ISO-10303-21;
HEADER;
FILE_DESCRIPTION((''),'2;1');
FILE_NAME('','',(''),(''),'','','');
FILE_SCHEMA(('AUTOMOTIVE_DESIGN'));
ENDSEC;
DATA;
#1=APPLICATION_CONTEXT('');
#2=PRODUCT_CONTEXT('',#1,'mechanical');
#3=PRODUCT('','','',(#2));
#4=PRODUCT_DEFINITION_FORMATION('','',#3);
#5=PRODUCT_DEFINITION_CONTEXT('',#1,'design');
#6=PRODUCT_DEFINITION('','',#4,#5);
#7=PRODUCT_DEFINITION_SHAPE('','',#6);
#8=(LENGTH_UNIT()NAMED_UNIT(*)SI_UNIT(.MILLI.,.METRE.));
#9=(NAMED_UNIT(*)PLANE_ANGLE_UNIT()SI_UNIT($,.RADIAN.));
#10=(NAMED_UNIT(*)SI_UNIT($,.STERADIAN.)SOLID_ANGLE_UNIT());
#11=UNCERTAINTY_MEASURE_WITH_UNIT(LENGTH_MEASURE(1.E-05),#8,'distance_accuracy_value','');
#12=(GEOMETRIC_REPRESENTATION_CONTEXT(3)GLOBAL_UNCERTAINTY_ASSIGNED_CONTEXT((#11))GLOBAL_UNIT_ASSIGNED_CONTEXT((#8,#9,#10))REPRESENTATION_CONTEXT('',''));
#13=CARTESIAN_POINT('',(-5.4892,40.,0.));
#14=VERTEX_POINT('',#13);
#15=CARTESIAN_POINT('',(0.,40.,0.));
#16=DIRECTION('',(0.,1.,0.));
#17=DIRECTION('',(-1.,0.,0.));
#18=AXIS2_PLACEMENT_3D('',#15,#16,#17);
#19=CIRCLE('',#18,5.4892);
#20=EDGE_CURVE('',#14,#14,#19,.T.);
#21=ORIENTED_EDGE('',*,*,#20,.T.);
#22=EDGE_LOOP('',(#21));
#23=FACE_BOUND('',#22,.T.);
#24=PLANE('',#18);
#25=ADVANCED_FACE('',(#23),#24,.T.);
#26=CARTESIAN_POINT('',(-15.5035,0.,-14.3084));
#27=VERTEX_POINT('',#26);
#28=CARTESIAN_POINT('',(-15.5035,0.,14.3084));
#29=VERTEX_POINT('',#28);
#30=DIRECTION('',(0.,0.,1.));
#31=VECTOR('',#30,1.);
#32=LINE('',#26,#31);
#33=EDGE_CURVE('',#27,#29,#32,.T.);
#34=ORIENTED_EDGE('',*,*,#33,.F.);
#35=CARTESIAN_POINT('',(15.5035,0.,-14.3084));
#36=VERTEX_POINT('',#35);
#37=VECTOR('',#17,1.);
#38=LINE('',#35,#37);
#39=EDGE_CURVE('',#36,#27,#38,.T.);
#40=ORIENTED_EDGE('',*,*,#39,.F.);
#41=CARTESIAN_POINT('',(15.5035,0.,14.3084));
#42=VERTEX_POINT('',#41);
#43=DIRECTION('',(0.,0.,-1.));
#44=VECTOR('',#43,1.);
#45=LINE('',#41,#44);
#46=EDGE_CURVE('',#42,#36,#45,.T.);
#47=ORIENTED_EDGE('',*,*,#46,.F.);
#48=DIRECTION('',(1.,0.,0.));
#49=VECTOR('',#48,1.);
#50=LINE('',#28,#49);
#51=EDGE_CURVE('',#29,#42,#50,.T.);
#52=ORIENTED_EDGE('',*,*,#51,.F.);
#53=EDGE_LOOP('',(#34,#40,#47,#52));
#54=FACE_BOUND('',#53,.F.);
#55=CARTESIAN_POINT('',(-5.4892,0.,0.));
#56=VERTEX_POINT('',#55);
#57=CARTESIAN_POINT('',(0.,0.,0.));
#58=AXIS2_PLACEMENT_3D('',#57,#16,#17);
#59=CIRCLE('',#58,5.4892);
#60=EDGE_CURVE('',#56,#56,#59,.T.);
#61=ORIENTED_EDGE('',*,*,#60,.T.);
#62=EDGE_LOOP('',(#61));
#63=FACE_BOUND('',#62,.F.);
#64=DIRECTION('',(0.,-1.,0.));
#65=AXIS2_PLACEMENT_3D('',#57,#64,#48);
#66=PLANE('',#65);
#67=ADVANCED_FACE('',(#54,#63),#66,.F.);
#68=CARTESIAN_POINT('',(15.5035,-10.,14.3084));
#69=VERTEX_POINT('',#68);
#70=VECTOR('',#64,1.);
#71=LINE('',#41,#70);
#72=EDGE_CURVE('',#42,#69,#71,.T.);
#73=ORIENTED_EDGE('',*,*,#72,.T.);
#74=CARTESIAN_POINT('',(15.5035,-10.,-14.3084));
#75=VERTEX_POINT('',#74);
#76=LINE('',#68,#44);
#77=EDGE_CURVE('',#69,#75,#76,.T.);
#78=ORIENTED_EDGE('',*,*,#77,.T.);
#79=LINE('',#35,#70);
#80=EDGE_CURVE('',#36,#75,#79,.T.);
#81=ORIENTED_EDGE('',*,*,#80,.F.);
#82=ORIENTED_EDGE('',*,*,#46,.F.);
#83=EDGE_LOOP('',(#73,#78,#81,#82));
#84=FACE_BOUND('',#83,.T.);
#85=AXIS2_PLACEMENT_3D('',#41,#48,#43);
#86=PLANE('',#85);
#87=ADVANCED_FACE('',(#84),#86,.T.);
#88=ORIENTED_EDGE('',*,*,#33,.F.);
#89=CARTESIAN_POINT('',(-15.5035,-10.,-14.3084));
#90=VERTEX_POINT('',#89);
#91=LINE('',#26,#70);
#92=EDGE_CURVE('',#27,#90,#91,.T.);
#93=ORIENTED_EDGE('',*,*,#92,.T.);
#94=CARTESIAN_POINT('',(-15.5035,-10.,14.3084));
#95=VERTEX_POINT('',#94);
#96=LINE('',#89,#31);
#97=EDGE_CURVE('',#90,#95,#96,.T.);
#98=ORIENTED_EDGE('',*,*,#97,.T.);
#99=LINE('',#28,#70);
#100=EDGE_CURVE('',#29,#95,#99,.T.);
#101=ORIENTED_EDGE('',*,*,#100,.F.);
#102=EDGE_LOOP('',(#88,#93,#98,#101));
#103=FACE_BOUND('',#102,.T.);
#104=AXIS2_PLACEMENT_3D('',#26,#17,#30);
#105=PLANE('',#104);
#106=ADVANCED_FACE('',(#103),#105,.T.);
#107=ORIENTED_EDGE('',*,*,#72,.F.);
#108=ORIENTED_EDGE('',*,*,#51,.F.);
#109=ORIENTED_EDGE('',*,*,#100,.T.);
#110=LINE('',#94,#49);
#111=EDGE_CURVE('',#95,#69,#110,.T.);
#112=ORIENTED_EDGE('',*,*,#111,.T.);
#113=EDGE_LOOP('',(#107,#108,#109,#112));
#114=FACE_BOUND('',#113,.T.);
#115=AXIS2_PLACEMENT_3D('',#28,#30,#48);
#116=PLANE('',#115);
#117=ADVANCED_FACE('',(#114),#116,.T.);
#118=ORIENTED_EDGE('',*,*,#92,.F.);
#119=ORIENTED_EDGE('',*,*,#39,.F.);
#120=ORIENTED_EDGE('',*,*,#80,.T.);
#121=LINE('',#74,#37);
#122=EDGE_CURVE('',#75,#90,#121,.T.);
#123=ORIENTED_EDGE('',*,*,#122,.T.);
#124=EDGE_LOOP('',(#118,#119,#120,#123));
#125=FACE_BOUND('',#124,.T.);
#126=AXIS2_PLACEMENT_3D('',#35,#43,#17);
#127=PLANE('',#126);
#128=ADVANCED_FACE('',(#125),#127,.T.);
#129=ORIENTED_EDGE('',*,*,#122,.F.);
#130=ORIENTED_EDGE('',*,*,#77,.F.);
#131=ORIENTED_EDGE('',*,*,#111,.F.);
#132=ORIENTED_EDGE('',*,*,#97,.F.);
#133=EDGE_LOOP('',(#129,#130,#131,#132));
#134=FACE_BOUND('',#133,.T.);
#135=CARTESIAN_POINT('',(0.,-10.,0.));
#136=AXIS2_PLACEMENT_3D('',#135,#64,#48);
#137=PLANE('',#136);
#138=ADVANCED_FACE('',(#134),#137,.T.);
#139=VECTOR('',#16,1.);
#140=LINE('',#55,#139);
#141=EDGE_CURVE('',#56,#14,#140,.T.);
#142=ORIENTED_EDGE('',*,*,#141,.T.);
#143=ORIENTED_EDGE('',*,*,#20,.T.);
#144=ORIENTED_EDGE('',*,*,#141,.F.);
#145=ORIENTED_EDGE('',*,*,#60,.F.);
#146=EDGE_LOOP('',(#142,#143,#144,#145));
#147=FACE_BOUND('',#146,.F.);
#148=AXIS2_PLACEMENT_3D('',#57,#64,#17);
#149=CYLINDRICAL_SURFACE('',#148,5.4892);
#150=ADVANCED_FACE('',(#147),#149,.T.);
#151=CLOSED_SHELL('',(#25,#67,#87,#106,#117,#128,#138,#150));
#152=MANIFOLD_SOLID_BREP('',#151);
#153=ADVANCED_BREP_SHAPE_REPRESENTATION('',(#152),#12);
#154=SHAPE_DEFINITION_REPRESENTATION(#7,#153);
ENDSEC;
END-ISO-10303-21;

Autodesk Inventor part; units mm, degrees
ref_plane "YZ Plane" through (0, 0, 0) normal (1, 0, 0) x (0, 1, 0)
ref_plane "XZ Plane" through (0, 0, 0) normal (0, 1, 0) x (-1, 0, 0)
ref_plane "XY Plane" through (0, 0, 0) normal (0, 0, 1) x (1, 0, 0)
sketch "Sketch1" plane through (0, 0, 0) normal (0, 1, 0) x (-1, 0, 0)
  circle A0 centre (0, 0) radius 5.4892
extrude "Extrusion1" add sketch "Sketch1" along normal blind 40
sketch "Sketch2" plane through (0, 0, 0) normal (0, -1, 0) x (1, 0, 0)
  line L0 (-15.5035, 14.3084) -> (15.5035, 14.3084)
  line L1 (15.5035, 14.3084) -> (15.5035, -14.3084)
  line L2 (15.5035, -14.3084) -> (-15.5035, -14.3084)
  line L3 (-15.5035, -14.3084) -> (-15.5035, 14.3084)
  line L4 (-15.5035, 14.3084) -> (15.5035, -14.3084) construction
  line L5 (15.5035, 14.3084) -> (-15.5035, -14.3084) construction
  point P0 (0, 0)
extrude "Extrusion2" add sketch "Sketch2" along normal blind 10
